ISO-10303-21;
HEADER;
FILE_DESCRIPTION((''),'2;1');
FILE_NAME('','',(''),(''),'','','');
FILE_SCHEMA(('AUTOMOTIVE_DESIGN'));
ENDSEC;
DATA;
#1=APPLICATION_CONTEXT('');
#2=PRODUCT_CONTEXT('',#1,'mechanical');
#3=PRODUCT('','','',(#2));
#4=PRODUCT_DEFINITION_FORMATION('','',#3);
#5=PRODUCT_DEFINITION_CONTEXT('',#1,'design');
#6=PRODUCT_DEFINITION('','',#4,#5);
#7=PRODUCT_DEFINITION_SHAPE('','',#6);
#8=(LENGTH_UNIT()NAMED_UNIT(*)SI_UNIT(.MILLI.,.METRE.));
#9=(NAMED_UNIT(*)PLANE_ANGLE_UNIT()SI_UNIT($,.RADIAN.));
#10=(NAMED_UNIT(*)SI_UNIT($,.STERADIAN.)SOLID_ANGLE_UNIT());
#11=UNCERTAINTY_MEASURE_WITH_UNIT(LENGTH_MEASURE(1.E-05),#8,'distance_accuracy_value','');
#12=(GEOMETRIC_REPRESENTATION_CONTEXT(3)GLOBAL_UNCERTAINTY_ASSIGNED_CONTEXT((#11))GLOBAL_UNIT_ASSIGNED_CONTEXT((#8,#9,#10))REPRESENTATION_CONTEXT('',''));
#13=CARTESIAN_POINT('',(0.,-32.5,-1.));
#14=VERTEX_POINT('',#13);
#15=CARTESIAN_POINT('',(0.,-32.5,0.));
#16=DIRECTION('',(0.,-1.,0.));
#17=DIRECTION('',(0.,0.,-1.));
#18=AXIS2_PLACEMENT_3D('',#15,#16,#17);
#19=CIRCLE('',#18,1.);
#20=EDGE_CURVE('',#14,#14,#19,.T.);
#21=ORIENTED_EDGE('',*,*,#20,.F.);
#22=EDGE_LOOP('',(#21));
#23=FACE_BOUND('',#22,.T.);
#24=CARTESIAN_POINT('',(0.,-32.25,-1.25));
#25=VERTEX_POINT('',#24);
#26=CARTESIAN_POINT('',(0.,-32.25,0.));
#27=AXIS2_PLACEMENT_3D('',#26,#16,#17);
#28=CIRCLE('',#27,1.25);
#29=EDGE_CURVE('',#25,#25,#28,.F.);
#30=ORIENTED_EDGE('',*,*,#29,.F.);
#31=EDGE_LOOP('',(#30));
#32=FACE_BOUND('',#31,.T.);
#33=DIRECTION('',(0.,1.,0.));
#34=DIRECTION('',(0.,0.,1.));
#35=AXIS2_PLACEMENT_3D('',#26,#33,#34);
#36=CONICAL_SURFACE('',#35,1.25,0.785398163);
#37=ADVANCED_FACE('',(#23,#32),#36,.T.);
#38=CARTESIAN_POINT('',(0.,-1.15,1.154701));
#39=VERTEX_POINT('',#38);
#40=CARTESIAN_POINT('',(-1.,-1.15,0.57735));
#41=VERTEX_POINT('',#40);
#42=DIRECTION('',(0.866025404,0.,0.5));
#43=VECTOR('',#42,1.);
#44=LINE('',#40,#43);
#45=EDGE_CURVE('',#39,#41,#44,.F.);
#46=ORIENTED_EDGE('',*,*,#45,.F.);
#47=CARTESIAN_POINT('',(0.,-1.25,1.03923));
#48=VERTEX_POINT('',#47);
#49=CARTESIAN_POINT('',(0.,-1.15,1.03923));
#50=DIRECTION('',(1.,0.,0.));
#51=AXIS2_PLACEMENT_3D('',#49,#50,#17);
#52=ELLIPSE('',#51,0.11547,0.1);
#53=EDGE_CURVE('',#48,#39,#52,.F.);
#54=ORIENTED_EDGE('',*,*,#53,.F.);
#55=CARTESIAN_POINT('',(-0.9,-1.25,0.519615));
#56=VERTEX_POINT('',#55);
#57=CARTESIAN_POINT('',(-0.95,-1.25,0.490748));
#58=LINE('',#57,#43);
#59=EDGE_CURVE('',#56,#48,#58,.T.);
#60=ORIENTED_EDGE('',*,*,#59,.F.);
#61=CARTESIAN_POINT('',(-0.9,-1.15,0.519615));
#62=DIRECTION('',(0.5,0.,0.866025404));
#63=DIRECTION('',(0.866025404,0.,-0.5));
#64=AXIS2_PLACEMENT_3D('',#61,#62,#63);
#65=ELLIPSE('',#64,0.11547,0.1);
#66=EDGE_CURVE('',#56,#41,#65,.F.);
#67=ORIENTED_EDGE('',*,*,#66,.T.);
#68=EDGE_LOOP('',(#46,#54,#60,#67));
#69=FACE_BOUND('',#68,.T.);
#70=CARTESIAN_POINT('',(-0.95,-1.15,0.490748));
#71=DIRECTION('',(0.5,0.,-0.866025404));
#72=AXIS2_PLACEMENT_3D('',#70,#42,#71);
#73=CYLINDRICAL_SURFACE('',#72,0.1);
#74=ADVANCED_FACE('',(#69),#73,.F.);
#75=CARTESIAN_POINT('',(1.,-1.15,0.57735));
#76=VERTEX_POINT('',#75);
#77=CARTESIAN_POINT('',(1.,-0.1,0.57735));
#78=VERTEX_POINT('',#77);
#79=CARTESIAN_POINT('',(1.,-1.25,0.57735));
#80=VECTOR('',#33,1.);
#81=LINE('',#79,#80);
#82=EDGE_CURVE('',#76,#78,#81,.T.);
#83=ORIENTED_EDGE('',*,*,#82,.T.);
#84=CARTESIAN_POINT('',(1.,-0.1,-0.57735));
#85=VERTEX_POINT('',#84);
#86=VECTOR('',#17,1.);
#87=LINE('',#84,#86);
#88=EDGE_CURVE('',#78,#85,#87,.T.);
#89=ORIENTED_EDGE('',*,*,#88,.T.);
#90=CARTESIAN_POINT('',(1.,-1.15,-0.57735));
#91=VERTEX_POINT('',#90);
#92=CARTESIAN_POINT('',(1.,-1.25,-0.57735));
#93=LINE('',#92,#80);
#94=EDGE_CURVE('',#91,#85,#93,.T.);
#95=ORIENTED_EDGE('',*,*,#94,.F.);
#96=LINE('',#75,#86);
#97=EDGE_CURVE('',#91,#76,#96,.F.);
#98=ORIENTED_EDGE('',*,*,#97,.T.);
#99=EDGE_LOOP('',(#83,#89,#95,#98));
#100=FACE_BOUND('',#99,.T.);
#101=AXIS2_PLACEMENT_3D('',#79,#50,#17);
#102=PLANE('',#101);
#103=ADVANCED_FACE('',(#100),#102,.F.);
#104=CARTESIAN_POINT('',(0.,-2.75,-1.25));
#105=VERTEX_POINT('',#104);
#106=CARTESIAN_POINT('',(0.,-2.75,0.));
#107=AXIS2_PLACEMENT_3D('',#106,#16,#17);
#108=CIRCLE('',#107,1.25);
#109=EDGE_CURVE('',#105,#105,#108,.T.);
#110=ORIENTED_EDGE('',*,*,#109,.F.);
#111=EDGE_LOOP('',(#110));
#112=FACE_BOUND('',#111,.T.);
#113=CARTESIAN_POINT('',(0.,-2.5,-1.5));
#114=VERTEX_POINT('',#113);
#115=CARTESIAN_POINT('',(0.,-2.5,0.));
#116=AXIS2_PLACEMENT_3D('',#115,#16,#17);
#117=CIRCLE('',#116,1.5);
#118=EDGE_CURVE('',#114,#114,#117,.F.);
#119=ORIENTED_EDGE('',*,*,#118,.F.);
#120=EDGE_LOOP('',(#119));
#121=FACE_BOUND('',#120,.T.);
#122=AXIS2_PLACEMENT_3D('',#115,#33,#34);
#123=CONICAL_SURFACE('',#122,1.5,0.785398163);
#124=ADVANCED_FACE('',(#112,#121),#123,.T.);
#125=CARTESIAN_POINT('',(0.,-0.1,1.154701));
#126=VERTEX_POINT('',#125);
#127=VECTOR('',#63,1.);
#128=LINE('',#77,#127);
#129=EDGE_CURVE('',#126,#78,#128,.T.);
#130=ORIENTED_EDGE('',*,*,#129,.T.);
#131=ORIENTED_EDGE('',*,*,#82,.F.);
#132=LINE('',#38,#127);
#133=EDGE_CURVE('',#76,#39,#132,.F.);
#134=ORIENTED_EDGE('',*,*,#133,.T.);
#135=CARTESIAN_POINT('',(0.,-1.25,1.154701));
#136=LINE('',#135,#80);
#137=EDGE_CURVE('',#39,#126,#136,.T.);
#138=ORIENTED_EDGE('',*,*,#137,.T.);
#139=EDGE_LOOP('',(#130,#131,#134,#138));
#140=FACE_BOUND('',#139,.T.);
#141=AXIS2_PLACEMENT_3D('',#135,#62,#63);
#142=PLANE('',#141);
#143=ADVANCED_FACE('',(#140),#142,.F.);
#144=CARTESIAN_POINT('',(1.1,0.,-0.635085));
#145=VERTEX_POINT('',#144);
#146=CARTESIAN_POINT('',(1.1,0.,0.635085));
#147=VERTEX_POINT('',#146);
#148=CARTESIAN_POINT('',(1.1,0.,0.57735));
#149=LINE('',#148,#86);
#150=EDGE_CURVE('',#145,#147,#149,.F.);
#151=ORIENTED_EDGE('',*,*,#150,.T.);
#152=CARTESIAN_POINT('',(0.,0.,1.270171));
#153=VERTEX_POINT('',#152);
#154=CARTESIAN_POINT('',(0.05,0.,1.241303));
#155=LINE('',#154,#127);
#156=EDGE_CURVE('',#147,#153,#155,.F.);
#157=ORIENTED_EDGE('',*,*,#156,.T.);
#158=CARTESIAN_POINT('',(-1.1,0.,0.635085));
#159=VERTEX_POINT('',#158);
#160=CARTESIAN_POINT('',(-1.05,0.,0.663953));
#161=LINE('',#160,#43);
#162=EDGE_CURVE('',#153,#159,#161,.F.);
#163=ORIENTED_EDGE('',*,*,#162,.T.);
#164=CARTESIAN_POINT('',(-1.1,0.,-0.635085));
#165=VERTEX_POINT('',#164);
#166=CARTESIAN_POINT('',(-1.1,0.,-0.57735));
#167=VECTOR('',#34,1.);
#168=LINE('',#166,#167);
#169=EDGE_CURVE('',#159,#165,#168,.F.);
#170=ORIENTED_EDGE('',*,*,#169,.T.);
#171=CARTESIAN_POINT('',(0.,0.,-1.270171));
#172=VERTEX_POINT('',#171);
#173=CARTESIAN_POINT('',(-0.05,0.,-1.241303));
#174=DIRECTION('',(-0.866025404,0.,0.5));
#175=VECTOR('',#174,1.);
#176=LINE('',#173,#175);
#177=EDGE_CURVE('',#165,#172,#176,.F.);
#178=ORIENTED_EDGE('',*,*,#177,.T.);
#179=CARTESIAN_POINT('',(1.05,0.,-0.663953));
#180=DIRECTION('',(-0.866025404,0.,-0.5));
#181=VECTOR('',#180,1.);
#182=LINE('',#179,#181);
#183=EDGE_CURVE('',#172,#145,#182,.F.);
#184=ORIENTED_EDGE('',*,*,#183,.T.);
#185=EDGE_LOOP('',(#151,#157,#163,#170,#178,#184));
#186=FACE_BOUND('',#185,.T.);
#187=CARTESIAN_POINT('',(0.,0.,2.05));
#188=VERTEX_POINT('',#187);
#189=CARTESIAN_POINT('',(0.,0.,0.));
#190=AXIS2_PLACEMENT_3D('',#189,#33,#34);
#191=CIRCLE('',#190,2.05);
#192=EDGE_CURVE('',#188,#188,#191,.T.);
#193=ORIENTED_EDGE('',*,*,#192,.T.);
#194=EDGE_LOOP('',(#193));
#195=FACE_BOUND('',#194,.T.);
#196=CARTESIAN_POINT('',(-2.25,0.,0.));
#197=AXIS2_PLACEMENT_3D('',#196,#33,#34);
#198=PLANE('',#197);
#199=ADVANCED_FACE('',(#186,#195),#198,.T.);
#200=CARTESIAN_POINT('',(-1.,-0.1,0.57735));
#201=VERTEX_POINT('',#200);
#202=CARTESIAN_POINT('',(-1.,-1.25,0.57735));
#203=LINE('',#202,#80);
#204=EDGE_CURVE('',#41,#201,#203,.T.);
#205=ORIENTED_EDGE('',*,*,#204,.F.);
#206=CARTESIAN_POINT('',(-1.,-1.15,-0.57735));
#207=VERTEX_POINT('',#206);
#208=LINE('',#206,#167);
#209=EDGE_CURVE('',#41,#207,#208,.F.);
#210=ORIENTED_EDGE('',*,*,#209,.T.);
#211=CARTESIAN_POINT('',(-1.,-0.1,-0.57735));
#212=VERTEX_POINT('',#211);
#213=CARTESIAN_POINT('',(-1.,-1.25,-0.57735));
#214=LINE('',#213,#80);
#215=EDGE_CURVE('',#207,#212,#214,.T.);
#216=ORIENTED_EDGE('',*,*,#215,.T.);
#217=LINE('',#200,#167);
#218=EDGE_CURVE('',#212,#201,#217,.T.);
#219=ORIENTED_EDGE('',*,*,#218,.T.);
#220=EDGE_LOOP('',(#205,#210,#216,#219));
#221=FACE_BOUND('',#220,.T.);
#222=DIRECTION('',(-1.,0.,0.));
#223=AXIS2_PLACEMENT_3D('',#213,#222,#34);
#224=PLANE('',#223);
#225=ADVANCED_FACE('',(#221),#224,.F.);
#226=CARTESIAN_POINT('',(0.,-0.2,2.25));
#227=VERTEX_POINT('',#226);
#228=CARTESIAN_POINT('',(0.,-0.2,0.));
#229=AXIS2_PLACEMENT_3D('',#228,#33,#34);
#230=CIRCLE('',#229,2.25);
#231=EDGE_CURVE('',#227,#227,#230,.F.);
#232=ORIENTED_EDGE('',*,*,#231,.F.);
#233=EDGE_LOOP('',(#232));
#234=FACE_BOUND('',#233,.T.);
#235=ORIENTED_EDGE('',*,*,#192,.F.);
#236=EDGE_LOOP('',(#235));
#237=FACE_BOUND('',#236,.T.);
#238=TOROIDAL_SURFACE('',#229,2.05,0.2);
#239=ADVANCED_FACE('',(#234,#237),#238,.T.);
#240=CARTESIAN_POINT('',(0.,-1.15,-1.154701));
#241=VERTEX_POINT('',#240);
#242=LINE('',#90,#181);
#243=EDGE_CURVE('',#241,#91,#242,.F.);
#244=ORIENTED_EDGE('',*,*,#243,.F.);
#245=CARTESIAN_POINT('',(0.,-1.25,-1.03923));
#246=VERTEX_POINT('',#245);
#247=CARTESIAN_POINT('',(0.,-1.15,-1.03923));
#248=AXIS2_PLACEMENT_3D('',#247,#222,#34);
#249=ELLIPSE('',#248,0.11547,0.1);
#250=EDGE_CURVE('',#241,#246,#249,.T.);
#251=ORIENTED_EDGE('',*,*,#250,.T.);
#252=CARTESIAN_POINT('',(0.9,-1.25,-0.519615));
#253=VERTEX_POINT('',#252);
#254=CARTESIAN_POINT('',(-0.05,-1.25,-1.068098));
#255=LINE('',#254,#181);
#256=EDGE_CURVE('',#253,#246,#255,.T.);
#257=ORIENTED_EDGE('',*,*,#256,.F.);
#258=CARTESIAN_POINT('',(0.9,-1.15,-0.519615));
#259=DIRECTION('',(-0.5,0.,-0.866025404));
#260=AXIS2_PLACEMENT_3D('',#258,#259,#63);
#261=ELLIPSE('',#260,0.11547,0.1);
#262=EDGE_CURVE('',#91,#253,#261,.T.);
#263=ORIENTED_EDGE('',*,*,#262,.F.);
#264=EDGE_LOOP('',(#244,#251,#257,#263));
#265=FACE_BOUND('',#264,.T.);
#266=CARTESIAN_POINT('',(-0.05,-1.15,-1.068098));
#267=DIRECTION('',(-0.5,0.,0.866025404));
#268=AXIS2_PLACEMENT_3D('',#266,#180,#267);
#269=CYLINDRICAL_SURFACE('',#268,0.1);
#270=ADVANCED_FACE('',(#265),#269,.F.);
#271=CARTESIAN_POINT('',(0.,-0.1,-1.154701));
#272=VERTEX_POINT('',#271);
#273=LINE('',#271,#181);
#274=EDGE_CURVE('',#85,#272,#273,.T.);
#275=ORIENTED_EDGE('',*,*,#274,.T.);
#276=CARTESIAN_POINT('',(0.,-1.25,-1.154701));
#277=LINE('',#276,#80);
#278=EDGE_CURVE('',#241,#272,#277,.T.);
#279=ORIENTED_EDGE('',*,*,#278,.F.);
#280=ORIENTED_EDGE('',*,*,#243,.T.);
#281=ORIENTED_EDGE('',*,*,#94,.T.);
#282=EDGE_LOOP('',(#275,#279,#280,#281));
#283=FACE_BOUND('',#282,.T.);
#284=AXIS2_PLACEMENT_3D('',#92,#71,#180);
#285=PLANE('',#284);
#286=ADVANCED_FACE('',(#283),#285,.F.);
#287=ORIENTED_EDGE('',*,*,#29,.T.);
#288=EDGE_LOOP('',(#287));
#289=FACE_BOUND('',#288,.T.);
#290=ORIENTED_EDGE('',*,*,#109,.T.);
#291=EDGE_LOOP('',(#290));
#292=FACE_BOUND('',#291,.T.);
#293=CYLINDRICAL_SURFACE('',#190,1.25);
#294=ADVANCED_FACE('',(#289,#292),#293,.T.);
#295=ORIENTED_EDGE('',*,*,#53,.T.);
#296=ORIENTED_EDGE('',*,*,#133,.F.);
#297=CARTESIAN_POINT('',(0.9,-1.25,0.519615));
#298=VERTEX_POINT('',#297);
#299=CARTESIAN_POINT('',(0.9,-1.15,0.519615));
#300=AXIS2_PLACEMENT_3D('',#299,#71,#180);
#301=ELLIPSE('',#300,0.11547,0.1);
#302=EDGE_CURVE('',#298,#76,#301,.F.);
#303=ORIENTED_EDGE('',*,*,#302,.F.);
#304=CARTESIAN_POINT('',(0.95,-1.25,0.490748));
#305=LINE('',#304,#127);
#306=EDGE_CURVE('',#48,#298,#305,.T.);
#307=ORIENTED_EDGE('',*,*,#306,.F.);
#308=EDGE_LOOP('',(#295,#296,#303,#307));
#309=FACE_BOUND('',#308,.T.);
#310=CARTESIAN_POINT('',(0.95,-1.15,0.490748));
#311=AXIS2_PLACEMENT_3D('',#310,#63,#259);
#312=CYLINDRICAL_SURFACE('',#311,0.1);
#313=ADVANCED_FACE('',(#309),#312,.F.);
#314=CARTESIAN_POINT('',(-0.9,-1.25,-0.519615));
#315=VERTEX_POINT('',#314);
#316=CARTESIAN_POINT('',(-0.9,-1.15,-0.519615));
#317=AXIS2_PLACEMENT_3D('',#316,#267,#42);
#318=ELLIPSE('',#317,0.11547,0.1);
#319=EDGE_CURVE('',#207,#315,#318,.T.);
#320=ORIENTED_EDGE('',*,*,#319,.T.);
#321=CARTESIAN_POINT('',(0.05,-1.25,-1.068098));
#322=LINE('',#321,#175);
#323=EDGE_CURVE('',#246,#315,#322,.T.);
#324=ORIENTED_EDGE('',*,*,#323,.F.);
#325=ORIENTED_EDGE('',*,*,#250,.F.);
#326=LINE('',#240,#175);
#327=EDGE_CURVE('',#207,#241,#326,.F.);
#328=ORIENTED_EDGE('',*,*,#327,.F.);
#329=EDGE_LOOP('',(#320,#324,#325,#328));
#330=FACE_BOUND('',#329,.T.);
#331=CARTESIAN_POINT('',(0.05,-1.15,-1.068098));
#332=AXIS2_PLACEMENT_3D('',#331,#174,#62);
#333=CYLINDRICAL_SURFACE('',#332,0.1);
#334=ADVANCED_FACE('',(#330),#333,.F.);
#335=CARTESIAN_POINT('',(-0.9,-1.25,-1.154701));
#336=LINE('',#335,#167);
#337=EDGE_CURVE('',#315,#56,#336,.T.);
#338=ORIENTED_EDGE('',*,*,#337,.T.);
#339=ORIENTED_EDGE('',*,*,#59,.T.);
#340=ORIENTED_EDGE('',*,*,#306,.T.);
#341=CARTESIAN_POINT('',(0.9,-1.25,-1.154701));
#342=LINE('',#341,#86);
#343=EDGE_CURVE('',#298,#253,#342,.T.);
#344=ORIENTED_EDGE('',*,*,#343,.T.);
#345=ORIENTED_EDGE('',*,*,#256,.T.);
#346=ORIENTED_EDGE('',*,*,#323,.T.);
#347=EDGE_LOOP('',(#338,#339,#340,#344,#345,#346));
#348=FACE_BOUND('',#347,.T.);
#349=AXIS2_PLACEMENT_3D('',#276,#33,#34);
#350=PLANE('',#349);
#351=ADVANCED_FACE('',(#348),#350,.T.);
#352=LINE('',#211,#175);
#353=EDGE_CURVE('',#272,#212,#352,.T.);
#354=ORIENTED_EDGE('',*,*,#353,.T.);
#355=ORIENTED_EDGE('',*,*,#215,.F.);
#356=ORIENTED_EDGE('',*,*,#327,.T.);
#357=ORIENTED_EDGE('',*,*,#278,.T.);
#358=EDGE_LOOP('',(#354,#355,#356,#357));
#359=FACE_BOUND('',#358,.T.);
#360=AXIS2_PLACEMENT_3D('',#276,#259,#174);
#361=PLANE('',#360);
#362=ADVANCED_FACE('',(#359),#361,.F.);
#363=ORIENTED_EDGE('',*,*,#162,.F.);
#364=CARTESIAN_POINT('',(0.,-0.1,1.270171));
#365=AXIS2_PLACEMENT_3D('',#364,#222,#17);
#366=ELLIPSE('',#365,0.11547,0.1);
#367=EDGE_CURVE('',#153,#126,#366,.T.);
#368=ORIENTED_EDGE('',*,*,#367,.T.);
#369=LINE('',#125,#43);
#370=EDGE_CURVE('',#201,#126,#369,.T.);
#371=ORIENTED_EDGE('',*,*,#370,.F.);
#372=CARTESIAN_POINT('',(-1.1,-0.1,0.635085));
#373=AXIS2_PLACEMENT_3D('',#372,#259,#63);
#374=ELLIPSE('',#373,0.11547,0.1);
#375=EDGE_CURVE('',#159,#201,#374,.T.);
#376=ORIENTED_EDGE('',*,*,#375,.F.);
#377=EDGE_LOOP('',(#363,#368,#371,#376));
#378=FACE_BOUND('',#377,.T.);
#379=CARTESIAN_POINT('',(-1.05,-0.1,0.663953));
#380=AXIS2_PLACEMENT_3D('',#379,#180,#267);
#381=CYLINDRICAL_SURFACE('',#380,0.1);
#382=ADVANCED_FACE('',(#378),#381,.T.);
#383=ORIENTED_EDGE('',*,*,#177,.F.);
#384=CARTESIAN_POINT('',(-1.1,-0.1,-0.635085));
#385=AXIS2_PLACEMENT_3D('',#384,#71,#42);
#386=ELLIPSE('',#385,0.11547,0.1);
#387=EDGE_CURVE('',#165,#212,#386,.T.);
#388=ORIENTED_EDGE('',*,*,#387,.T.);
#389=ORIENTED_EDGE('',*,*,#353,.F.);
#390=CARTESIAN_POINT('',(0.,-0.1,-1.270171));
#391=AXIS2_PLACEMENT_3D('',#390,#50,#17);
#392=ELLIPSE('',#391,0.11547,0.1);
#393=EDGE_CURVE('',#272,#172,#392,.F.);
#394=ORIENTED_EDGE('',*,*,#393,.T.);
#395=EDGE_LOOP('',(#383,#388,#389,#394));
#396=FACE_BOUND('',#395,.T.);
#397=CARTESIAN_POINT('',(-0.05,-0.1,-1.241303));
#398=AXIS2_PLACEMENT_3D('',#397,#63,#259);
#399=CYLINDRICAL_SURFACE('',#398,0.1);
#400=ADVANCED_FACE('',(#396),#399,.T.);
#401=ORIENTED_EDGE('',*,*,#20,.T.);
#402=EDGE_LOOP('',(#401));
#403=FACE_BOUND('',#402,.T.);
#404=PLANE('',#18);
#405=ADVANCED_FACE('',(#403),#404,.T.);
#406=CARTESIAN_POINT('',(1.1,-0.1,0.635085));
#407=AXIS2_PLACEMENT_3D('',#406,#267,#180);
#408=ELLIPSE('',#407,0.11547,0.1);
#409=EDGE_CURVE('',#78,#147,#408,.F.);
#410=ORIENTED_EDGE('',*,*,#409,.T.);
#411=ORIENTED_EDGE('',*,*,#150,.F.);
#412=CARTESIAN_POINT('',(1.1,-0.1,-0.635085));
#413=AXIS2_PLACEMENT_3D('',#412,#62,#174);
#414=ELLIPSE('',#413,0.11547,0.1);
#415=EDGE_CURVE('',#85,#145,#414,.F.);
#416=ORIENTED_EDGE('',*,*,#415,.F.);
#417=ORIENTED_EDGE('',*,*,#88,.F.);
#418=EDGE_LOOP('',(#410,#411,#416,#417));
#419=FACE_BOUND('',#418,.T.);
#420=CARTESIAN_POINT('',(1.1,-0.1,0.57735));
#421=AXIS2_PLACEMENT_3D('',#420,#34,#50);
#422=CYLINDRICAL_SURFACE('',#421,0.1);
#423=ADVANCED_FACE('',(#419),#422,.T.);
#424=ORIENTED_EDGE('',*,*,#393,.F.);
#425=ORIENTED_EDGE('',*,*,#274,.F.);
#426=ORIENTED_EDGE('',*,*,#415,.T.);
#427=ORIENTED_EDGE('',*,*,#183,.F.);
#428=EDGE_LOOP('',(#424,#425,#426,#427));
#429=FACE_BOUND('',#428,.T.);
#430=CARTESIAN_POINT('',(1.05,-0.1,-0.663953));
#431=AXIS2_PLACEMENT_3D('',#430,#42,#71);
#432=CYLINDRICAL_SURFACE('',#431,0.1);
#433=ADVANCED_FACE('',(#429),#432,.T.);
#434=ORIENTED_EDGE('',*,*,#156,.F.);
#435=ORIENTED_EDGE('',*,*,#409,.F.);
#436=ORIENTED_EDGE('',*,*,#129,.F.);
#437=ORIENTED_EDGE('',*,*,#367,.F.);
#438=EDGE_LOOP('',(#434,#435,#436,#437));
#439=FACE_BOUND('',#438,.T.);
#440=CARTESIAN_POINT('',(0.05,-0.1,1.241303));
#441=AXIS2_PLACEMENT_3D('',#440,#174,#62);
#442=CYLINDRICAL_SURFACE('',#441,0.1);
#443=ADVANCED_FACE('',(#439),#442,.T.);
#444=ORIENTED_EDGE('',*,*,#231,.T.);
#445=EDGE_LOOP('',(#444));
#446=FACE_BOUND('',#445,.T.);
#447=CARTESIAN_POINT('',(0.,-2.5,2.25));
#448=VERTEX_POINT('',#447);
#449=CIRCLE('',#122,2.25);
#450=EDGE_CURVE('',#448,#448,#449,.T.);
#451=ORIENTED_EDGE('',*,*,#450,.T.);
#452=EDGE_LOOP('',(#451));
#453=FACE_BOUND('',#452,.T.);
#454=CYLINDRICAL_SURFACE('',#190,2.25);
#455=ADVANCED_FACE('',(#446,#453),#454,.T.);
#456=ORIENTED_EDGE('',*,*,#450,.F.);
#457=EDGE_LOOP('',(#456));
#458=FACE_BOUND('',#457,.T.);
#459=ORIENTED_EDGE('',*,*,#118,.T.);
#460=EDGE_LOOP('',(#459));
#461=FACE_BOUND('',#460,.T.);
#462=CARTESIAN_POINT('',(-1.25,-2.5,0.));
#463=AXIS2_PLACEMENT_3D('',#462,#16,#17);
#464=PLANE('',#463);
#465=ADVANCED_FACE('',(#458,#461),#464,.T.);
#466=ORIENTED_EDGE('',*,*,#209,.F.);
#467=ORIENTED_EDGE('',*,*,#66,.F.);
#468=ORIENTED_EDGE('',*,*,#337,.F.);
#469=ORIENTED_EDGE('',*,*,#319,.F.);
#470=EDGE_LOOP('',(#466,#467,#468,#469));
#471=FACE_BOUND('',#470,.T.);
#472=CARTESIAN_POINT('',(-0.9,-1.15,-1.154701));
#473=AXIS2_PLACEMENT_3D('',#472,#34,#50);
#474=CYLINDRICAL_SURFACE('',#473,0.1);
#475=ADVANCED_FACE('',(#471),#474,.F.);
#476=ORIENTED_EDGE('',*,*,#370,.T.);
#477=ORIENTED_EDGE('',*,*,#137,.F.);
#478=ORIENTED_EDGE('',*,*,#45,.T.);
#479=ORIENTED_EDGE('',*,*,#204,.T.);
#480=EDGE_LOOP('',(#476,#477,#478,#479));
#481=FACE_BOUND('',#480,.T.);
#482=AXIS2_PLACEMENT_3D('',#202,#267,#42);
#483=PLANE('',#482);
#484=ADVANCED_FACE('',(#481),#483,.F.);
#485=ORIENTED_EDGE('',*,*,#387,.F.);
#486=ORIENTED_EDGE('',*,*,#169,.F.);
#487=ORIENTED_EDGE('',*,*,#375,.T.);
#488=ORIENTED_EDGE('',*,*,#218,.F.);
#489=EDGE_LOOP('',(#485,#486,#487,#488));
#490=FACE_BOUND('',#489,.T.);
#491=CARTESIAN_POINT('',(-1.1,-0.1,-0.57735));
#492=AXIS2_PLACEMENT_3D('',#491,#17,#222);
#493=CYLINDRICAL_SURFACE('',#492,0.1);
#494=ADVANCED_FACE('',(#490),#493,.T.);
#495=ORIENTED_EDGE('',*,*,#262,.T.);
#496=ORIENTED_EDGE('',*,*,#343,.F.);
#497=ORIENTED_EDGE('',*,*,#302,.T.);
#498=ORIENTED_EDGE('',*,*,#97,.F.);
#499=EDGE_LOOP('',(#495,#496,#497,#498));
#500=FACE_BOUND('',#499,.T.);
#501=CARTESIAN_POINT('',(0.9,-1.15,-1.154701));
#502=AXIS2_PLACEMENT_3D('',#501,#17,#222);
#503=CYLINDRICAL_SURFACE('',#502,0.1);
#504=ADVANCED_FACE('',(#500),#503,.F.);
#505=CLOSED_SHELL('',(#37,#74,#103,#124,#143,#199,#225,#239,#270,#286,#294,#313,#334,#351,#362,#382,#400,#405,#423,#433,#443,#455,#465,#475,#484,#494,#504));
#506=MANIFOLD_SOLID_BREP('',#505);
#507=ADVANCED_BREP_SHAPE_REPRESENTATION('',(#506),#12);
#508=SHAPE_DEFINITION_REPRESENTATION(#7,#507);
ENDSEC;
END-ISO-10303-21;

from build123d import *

# Parameters (mm, degrees)
CHAMFER1_SIZE      = 0.25
FILLET1_R          = 0.2
CUT_EXTRUDE1_DEPTH = 1.25
FILLET2_R          = 0.1


with BuildPart() as part:
    # Sketch1 → Revolve1 (revolve)
    with BuildSketch(Plane.XY, mode=Mode.PRIVATE) as revolve1_sk:
        Polygon((0, -32.5), (-1.25, -32.5), (-1.25, -2.5), (-2.25, -2.5), (-2.25, 0), (0, 0), align=None)
    revolve(revolve1_sk.sketch.rotate(Axis((0, 0, 0), (0, -1, 0)), 270), axis=Axis((0, 0, 0), (0, -1, 0)))

    # Chamfer1
    chamfer1_edges = [part.edges().sort_by_distance(p)[0] for p in [
        (0, -2.5, -1.25),
        (0, -32.5, -1.25),
    ]]
    chamfer(chamfer1_edges, length=CHAMFER1_SIZE)

    # Fillet1
    fillet1_edges = [part.edges().sort_by_distance(p)[0] for p in [
        (0, 0, -2.25),
    ]]
    fillet(fillet1_edges, radius=FILLET1_R)

    # Sketch2 → Cut-Extrude1 (cut)
    with BuildSketch(Plane(origin=(0, 0, 0), x_dir=(1, 0, 0), z_dir=(0, 1, 0))):
        Polygon((0, 1.154700538), (-1, 0.577350269), (-1, -0.577350269), (0, -1.154700538), (1, -0.577350269), (1, 0.577350269), align=None)
    extrude(amount=-CUT_EXTRUDE1_DEPTH, mode=Mode.SUBTRACT)

    # Fillet2
    fillet2_edges = [part.edges().sort_by_distance(p)[0] for p in [
        (0.5, -1.25, -0.866025404),
        (1, -1.25, 0),
        (0.5, -1.25, 0.866025404),
        (-0.5, -1.25, 0.866025404),
        (-1, -1.25, 0),
        (-0.5, -1.25, -0.866025404),
        (0.4999999999999987, 0, -0.8660254037844397),
        (-0.5000000000000006, 0, -0.8660254037844395),
        (-1, 0, 0),
        (-0.5000000000000007, 0, 0.8660254037844379),
        (0.4999999999999988, 0, 0.8660254037844382),
        (1, 0, 0),
    ]]
    fillet(fillet2_edges, radius=FILLET2_R)


solid = part.part
